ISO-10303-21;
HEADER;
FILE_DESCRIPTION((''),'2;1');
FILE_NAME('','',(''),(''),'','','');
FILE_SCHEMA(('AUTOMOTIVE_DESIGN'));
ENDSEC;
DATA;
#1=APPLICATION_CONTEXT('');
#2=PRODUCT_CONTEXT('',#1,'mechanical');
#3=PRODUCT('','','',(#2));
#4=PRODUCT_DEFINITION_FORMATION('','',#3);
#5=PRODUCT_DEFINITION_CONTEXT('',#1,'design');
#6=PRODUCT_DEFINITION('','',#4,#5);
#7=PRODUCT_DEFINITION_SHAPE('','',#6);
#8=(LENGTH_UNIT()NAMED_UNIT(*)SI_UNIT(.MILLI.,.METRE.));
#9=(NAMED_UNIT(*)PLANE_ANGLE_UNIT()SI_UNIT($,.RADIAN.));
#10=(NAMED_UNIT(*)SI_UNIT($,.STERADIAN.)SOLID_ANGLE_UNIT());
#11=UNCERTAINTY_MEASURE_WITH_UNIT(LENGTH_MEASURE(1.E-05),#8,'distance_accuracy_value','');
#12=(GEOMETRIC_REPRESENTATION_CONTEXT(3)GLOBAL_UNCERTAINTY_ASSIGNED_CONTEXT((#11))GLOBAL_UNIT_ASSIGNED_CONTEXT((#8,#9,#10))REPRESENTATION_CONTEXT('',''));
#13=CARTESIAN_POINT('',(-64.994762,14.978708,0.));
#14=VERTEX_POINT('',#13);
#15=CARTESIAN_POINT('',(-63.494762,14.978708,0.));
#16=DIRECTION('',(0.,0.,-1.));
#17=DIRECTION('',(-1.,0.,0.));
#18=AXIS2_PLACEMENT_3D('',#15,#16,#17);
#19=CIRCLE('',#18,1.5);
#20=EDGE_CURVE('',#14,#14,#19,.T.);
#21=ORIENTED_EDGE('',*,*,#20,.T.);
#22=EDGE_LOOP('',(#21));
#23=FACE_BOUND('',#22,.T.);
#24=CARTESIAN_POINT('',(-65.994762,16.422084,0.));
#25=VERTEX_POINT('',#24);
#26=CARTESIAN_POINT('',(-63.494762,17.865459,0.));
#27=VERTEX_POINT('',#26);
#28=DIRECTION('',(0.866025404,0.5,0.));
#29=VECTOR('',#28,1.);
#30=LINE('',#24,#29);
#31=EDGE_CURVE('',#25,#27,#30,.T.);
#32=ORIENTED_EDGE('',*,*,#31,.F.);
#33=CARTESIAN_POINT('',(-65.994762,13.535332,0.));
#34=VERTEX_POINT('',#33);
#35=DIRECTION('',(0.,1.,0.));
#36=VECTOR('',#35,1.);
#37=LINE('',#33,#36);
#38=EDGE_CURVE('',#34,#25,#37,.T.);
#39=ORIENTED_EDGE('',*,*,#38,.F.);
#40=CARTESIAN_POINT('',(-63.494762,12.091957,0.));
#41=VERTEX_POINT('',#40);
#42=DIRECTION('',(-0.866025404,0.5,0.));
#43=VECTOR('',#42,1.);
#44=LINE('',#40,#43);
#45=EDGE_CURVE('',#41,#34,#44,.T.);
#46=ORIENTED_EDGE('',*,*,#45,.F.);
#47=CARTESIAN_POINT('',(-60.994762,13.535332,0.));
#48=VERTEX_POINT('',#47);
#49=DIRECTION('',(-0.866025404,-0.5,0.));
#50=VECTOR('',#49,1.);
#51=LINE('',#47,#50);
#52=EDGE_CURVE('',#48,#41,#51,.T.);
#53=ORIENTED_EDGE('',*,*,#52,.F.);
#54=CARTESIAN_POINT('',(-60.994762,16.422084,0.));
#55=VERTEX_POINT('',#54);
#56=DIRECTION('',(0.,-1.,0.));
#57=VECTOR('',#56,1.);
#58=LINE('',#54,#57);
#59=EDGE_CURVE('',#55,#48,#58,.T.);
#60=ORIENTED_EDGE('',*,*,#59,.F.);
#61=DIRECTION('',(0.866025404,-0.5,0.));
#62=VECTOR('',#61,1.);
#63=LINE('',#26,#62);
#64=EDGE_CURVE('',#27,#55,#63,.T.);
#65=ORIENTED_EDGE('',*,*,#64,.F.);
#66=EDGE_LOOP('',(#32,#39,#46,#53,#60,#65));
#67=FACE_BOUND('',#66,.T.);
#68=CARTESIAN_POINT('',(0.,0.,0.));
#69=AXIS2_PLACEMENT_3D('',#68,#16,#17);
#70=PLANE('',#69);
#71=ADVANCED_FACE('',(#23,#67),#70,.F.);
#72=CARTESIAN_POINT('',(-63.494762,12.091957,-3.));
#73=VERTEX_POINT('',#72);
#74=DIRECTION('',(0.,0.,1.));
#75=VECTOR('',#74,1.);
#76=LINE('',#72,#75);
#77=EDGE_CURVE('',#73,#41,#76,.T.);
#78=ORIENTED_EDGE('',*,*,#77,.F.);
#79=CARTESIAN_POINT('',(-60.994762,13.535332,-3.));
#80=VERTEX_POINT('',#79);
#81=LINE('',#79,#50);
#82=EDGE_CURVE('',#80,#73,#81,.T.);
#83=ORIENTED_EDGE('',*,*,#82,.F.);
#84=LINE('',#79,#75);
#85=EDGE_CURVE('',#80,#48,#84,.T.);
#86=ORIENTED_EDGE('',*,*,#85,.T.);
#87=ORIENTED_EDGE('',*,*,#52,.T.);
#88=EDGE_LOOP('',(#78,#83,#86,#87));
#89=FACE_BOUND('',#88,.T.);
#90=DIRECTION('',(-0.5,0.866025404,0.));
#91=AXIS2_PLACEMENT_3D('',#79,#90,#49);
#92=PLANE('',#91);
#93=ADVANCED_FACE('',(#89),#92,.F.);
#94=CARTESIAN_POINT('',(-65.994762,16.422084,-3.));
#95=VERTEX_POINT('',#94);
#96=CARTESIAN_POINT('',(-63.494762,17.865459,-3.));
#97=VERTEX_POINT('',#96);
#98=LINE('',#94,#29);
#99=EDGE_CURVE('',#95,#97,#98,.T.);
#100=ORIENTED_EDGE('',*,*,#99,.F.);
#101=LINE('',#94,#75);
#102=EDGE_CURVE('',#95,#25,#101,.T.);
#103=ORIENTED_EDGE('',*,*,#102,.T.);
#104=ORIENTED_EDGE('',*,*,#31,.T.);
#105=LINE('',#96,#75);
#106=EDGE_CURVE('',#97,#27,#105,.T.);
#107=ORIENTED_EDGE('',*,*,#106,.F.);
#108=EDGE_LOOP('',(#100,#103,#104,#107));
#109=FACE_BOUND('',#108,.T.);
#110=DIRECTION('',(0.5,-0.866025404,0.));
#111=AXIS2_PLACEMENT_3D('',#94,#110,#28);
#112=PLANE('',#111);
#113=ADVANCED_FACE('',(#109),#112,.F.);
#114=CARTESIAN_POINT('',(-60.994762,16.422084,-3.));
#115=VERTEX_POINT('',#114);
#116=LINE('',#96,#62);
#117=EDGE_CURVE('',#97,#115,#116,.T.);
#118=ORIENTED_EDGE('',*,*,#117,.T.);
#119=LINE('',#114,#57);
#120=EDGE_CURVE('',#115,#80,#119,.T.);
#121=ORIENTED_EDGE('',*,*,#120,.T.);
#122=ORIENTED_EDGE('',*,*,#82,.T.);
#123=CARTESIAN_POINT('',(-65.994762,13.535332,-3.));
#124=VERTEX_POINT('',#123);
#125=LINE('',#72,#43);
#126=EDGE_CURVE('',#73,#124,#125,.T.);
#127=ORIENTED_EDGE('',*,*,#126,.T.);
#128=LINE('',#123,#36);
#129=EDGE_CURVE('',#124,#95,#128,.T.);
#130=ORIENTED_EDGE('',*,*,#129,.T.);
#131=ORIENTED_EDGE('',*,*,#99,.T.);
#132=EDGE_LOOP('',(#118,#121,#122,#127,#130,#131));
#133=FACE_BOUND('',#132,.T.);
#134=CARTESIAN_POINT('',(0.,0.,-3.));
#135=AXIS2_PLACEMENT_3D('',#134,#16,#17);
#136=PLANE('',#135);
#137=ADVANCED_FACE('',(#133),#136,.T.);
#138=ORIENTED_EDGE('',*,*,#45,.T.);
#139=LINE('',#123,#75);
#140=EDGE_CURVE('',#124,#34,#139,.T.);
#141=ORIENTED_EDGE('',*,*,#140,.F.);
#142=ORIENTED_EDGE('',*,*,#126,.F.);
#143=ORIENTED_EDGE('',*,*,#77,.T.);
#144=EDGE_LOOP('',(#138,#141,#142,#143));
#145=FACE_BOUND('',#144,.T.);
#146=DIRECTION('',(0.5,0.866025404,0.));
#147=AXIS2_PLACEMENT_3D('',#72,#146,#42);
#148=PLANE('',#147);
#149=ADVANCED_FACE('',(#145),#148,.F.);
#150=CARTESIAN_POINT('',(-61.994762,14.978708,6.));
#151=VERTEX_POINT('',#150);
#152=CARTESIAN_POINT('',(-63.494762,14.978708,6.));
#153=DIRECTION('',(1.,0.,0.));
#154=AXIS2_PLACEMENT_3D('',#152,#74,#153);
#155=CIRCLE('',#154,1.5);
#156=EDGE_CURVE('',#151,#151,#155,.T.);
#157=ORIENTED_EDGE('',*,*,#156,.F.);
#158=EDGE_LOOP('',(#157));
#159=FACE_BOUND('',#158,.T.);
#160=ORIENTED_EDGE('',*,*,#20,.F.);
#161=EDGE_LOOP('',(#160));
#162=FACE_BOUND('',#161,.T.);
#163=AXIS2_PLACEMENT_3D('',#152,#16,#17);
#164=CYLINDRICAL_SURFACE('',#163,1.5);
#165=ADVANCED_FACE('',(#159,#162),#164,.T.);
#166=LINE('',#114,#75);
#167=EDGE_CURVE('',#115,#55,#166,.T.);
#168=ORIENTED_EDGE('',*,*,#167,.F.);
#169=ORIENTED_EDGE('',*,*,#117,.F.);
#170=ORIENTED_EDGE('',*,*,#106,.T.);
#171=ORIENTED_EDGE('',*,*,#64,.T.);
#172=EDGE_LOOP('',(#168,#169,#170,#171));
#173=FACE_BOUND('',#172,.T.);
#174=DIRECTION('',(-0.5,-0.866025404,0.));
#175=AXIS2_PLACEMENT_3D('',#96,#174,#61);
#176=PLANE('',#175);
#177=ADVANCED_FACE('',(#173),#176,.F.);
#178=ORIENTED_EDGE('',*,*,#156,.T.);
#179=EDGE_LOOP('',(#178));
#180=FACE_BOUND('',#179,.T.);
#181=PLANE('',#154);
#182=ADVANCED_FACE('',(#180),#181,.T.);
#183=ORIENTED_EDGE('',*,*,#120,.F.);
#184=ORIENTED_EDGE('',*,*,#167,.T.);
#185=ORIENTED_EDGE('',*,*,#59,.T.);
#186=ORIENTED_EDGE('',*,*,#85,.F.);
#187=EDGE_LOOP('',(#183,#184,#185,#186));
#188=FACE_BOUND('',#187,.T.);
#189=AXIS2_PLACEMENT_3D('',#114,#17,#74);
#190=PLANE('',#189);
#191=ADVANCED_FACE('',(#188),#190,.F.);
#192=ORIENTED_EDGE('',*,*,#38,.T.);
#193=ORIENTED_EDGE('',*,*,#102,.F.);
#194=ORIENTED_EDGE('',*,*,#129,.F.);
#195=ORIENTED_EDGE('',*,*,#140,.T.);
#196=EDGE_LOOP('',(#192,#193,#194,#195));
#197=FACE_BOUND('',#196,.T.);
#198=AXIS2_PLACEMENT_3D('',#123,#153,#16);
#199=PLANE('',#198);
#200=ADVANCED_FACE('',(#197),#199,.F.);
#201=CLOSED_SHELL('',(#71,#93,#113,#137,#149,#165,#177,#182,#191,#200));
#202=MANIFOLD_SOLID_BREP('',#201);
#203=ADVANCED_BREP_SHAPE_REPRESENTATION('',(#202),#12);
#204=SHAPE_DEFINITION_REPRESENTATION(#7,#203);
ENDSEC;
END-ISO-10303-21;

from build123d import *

# Parameters (mm, degrees)
SKETCH1_R           = 1.5
BOSS_EXTRUDE1_DEPTH = 6
BOSS_EXTRUDE2_DEPTH = 3


with BuildPart() as part:
    # Sketch1 → Boss-Extrude1 (new body)
    with BuildSketch(Plane.XY):
        with Locations((-63.49476159, 14.978708134)):
            Circle(SKETCH1_R)
    extrude(amount=BOSS_EXTRUDE1_DEPTH)

    # Sketch2 → Boss-Extrude2 (add)
    with BuildSketch(Plane(origin=(0, 0, 0), x_dir=(-1, 0, 0), z_dir=(0, 0, -1))):
        Polygon((63.49476159, 12.091956788), (65.99476159, 13.535332461), (65.99476159, 16.422083807), (63.49476159, 17.86545948), (60.99476159, 16.422083807), (60.99476159, 13.535332461), align=None)
    extrude(amount=BOSS_EXTRUDE2_DEPTH)


solid = part.part
